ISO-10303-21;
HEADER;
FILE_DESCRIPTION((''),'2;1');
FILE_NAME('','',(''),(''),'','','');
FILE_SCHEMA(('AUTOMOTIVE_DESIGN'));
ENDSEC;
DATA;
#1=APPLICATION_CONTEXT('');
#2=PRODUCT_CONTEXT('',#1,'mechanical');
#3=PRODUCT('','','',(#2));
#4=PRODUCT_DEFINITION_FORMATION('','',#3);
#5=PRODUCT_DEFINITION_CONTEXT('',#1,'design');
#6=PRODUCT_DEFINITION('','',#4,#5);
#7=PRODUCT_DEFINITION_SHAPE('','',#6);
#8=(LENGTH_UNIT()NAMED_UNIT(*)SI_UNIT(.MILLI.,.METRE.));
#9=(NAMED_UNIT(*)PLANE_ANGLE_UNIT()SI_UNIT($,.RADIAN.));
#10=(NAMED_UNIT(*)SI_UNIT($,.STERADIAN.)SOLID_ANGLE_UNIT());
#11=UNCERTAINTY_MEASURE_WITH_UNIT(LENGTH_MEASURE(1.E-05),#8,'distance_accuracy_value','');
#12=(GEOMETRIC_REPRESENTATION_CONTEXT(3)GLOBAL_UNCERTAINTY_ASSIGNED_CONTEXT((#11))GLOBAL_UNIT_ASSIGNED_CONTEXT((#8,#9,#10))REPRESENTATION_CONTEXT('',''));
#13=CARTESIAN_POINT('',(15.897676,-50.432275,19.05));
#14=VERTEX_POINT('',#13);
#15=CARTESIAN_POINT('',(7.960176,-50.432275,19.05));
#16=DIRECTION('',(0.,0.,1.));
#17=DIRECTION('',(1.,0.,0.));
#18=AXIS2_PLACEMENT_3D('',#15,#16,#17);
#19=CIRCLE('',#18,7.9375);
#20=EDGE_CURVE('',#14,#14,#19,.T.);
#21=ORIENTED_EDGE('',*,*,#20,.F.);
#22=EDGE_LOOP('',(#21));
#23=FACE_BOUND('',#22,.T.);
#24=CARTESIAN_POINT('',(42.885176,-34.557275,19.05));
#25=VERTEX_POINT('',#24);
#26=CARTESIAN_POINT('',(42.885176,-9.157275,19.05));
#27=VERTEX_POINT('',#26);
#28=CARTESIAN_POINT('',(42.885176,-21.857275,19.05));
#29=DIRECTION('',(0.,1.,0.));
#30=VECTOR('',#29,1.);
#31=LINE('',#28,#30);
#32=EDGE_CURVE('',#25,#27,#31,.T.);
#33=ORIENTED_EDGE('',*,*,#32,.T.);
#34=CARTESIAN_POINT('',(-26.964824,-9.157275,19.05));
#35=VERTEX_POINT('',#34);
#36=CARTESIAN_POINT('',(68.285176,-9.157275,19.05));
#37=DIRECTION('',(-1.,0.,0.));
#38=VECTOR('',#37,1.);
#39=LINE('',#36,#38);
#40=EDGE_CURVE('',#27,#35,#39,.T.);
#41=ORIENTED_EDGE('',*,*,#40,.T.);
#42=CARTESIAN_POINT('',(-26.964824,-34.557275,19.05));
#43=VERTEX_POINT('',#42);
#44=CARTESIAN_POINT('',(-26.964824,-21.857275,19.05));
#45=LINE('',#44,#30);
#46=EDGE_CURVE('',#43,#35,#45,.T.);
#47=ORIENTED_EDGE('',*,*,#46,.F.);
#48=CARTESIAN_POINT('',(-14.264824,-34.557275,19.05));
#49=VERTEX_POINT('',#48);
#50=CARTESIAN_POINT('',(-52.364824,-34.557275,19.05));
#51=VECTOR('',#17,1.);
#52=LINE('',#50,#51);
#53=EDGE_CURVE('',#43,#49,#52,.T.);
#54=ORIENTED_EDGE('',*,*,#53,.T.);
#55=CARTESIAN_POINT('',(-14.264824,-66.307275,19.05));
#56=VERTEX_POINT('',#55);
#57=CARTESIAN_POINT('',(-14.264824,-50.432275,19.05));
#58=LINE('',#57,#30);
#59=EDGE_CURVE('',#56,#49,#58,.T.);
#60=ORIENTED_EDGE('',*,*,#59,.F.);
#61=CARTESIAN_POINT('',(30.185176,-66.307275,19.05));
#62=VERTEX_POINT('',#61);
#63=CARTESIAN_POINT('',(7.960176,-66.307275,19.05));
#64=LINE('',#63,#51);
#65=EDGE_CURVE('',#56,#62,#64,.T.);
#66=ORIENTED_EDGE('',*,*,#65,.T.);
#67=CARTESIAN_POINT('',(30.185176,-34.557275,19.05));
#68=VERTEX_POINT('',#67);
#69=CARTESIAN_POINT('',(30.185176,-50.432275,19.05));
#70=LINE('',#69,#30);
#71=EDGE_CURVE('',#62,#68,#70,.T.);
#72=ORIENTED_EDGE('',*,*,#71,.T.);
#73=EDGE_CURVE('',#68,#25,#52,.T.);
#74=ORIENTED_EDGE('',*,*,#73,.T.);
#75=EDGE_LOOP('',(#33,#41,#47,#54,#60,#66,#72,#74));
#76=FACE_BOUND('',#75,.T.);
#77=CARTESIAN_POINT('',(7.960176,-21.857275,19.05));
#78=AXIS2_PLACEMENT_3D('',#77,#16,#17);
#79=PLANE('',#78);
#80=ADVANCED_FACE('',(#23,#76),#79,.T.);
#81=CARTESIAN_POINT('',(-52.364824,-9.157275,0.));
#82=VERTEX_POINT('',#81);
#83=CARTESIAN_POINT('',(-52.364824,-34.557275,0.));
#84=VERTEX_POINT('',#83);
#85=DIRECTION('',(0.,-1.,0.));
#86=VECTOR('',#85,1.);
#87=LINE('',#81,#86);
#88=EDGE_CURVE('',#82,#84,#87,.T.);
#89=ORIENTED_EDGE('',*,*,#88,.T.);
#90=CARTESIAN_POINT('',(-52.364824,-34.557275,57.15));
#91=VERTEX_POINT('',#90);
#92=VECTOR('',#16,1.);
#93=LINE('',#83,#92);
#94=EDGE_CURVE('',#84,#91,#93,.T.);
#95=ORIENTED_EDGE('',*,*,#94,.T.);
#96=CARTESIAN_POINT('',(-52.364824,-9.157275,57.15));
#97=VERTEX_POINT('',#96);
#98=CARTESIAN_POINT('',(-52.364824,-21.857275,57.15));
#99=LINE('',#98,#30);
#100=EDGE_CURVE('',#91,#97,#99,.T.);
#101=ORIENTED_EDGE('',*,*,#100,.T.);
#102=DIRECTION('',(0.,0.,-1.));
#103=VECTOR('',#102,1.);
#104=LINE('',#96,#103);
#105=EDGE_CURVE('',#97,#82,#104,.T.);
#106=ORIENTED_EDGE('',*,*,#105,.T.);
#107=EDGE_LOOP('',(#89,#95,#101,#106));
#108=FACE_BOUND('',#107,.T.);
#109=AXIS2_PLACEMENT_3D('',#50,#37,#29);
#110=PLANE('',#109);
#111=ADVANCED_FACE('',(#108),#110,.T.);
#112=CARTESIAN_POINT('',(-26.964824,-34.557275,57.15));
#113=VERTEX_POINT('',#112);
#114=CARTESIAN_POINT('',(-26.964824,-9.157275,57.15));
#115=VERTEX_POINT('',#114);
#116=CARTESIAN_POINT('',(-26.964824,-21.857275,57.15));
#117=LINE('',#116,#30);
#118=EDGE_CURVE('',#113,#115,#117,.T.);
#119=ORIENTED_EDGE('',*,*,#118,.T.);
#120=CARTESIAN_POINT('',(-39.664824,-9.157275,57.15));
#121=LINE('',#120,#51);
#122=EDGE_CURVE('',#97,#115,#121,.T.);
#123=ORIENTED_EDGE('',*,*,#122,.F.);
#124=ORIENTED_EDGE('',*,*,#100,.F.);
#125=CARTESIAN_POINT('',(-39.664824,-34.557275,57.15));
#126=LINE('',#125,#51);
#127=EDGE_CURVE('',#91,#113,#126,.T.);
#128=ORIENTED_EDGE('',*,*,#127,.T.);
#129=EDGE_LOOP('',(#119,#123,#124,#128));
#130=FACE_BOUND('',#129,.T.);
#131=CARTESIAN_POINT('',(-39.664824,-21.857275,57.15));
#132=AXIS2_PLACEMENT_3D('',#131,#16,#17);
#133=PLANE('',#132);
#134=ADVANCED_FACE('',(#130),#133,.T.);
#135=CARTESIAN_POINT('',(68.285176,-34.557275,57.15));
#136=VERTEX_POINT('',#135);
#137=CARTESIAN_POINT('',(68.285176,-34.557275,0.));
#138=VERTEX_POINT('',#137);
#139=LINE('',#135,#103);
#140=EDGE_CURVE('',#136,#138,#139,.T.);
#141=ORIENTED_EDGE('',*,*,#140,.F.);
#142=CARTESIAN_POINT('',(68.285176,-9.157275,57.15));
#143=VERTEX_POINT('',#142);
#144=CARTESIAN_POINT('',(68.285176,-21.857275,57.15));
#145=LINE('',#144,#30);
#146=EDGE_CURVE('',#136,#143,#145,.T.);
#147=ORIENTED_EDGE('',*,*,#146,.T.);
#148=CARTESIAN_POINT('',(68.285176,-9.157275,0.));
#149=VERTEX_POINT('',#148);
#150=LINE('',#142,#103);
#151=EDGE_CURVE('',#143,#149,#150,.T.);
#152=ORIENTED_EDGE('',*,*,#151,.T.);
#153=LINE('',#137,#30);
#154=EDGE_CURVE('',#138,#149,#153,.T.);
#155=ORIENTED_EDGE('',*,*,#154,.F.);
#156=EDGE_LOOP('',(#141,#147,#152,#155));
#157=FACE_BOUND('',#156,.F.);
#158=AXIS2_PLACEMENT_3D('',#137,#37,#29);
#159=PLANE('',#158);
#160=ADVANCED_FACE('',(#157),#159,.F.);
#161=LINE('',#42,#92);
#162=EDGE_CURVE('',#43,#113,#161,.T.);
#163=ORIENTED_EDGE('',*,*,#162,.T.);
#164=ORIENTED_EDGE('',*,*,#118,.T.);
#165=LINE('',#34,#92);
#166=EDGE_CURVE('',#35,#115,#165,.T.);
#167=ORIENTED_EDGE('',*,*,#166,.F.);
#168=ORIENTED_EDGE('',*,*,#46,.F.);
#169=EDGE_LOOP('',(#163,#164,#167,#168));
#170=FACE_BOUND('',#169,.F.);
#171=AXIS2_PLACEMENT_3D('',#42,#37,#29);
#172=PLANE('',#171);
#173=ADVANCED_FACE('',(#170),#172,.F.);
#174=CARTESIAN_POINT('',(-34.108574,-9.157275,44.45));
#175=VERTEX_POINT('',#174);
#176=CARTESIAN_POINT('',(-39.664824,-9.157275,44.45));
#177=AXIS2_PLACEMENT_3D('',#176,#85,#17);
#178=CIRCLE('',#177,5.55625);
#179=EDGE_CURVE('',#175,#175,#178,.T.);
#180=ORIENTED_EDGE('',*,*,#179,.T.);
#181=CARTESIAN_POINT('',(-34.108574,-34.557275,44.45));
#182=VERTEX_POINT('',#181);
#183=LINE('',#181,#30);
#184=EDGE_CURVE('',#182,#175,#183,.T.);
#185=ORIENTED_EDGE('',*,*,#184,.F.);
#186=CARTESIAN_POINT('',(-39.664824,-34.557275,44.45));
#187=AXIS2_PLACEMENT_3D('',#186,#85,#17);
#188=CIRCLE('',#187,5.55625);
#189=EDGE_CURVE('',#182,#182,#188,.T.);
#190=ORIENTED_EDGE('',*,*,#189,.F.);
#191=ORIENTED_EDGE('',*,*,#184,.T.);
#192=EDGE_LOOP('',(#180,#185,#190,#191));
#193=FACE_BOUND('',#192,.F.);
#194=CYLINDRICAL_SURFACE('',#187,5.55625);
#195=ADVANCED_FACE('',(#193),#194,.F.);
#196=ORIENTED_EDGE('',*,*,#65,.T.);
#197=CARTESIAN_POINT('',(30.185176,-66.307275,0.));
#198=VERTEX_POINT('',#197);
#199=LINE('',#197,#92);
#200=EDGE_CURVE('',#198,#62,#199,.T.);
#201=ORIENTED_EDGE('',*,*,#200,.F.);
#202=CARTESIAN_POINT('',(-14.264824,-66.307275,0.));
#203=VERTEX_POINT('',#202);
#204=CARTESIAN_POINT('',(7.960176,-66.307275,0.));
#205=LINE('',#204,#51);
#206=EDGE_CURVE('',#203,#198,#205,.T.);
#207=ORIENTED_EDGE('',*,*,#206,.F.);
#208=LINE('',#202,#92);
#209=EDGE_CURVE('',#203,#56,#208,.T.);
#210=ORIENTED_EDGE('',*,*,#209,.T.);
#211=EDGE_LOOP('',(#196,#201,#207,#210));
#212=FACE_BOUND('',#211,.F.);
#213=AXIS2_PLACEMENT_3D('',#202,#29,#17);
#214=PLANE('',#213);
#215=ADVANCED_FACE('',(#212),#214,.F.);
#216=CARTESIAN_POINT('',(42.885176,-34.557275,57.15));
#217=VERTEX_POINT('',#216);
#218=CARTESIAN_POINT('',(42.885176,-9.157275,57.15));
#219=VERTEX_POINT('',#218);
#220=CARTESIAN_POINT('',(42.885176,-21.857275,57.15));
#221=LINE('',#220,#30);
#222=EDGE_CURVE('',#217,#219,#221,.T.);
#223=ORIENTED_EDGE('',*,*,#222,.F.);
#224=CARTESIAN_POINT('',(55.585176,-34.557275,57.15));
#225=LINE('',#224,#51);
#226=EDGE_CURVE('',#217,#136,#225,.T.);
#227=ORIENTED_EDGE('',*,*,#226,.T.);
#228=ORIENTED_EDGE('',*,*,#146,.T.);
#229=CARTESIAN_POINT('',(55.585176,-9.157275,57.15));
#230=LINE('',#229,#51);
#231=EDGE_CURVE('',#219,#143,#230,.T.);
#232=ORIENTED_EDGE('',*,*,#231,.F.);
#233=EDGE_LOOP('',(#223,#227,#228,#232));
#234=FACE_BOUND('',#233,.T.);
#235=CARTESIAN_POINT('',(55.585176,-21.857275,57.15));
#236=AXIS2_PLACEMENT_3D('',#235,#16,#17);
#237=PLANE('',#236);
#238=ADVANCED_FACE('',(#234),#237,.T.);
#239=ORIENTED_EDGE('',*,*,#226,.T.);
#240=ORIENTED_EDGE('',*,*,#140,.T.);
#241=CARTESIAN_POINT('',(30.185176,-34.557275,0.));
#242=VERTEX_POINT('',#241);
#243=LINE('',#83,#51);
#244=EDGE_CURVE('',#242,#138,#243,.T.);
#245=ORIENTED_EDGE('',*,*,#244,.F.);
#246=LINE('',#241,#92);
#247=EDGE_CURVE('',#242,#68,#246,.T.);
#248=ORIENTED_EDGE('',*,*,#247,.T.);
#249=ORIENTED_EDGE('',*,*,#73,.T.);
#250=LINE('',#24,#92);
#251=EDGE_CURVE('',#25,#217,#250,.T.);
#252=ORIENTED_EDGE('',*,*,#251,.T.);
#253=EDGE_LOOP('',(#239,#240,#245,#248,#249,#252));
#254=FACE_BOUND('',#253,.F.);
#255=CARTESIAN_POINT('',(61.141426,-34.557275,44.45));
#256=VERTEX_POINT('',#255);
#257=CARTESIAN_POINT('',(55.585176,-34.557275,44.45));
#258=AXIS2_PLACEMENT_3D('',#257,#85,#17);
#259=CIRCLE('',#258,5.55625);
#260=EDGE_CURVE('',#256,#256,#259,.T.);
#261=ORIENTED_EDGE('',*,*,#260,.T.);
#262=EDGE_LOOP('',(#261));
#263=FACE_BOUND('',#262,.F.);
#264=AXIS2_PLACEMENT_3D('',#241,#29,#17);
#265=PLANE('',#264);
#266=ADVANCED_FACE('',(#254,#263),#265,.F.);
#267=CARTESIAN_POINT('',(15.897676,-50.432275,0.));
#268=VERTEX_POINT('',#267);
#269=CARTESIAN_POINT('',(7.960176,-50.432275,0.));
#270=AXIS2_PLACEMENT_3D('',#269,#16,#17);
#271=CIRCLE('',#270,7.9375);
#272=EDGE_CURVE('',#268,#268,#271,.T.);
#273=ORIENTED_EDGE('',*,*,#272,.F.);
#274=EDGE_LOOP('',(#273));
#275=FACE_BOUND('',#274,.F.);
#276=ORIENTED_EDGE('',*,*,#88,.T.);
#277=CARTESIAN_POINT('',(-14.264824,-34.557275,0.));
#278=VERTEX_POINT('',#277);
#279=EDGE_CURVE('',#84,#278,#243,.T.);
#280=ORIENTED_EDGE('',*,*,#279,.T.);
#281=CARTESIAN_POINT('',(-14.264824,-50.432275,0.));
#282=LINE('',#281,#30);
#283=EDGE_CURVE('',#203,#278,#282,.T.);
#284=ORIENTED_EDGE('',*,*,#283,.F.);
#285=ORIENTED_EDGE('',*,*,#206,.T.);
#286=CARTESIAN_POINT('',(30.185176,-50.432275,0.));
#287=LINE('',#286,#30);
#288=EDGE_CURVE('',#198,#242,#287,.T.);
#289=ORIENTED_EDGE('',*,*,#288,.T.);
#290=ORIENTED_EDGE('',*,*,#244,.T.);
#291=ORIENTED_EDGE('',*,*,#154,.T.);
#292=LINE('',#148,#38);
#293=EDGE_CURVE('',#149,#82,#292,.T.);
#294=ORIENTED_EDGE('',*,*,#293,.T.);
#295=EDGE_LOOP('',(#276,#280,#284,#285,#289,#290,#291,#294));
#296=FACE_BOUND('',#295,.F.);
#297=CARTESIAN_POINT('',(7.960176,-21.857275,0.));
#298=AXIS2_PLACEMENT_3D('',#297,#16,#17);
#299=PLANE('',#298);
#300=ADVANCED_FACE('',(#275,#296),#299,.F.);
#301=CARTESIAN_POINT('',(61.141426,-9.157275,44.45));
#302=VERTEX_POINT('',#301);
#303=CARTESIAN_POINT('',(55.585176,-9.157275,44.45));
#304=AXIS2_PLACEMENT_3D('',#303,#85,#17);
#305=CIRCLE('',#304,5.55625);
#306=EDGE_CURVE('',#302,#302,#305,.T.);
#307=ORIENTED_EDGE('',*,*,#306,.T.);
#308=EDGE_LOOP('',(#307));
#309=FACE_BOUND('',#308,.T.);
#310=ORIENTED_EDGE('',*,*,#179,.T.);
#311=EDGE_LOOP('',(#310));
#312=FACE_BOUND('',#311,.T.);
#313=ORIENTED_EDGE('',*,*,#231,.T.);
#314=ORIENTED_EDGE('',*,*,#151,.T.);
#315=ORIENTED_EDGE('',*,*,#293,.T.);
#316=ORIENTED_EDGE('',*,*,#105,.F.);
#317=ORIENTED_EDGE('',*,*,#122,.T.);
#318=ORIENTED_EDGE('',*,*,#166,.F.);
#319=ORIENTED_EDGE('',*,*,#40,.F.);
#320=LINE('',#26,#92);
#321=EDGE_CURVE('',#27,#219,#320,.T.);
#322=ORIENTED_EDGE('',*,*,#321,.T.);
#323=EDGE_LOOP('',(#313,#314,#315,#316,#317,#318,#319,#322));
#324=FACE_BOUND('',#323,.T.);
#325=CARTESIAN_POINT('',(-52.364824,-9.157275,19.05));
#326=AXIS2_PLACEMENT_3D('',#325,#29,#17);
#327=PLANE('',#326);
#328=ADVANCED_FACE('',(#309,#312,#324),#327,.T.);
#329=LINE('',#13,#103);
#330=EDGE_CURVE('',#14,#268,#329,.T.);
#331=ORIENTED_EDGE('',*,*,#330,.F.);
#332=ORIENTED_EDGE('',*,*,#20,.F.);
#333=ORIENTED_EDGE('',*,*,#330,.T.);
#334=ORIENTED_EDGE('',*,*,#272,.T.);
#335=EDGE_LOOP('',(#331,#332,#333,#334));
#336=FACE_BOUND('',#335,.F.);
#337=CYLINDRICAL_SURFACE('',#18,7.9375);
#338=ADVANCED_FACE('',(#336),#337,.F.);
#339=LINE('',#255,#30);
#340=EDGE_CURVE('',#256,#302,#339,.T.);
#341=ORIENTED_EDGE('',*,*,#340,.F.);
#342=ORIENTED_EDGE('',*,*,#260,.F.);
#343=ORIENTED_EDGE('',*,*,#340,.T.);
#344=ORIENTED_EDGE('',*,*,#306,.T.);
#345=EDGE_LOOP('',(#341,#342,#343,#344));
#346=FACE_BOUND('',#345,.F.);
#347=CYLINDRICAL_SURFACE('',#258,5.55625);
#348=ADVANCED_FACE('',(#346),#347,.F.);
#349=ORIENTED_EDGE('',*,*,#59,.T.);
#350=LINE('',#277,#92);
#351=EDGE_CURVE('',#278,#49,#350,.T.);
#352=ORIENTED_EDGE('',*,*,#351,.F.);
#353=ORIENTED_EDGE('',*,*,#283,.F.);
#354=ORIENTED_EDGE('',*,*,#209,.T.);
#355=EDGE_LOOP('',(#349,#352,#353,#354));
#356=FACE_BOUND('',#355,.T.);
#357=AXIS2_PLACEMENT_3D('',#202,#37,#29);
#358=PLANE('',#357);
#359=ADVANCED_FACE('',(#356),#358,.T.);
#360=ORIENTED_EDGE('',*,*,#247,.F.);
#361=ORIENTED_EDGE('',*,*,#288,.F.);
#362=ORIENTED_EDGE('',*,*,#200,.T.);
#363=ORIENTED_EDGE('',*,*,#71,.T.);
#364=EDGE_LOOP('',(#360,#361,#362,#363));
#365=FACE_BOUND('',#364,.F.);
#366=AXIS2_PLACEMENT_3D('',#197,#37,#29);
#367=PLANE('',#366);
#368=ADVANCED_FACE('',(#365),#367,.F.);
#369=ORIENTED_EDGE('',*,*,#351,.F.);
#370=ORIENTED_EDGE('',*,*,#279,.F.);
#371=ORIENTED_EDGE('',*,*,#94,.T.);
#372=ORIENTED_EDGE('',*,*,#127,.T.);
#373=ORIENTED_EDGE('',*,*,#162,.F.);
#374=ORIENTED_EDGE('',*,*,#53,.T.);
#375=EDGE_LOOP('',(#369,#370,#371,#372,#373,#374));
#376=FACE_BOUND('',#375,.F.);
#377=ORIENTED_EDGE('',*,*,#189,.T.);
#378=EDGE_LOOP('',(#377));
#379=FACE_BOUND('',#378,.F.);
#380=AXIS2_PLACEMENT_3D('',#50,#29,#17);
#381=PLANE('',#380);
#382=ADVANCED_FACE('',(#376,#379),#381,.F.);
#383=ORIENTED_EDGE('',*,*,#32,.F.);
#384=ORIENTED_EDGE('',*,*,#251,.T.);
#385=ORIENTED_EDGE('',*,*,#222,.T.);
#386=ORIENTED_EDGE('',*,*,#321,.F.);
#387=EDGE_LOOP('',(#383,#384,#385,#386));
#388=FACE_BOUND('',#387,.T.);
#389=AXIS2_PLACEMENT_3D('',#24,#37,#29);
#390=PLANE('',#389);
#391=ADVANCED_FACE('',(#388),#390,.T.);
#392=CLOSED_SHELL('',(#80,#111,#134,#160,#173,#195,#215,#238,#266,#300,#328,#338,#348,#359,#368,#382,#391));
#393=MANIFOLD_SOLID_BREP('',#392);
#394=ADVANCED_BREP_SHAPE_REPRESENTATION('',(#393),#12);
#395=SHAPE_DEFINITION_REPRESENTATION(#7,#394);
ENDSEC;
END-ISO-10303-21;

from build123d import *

# Parameters (mm, degrees)
F0_W     = 44.45
F0_H     = 31.75
F1_DEPTH = 19.05
F2_R     = 7.9375
F3_DEPTH = 19.051
F4_W     = 25.4
F4_H     = 25.4
F5_DEPTH = 38.1
F6_R     = 5.55625
F7_DEPTH = 25.401
F8_R     = 5.55625
F9_DEPTH = 25.401


with BuildPart() as f1:
    # F0 (on Top) → F1 (new body)
    with BuildSketch(Plane.XY):
        Polygon((68.285176, -9.157275), (-52.364824, -9.157275), (-52.364824, -34.557275), (-14.264824, -34.557275), (30.185176, -34.557275), (68.285176, -34.557275), align=None)
        with Locations((7.960176, -50.432275)):
            Rectangle(F0_W, F0_H)
    extrude(amount=F1_DEPTH)

    # F2 (on face) → F3 (cut, through all)
    with BuildSketch(Plane.XY.offset(19.05)):
        with Locations((7.960176, -50.432275)):
            Circle(F2_R)
    extrude(amount=-F3_DEPTH, mode=Mode.SUBTRACT)

    # F4 (on face) → F5 (join)
    with BuildSketch(Plane.XY.offset(19.05)):
        with Locations((-39.664824, -21.857275)):
            Rectangle(F4_W, F4_H)
        with Locations((55.585176, -21.857275)):
            Rectangle(F4_W, F4_H)
    extrude(amount=F5_DEPTH)

    # F6 (on face) → F7 (cut, through all)
    with BuildSketch(Plane.XZ.offset(34.557275)):
        with Locations((-39.664824, 44.45)):
            Circle(F6_R)
    extrude(amount=-F7_DEPTH, mode=Mode.SUBTRACT)

    # F8 (on face) → F9 (cut, through all)
    with BuildSketch(Plane.XZ.offset(34.557275)):
        with Locations((55.585176, 44.45)):
            Circle(F8_R)
    extrude(amount=-F9_DEPTH, mode=Mode.SUBTRACT)


solid = f1.part
